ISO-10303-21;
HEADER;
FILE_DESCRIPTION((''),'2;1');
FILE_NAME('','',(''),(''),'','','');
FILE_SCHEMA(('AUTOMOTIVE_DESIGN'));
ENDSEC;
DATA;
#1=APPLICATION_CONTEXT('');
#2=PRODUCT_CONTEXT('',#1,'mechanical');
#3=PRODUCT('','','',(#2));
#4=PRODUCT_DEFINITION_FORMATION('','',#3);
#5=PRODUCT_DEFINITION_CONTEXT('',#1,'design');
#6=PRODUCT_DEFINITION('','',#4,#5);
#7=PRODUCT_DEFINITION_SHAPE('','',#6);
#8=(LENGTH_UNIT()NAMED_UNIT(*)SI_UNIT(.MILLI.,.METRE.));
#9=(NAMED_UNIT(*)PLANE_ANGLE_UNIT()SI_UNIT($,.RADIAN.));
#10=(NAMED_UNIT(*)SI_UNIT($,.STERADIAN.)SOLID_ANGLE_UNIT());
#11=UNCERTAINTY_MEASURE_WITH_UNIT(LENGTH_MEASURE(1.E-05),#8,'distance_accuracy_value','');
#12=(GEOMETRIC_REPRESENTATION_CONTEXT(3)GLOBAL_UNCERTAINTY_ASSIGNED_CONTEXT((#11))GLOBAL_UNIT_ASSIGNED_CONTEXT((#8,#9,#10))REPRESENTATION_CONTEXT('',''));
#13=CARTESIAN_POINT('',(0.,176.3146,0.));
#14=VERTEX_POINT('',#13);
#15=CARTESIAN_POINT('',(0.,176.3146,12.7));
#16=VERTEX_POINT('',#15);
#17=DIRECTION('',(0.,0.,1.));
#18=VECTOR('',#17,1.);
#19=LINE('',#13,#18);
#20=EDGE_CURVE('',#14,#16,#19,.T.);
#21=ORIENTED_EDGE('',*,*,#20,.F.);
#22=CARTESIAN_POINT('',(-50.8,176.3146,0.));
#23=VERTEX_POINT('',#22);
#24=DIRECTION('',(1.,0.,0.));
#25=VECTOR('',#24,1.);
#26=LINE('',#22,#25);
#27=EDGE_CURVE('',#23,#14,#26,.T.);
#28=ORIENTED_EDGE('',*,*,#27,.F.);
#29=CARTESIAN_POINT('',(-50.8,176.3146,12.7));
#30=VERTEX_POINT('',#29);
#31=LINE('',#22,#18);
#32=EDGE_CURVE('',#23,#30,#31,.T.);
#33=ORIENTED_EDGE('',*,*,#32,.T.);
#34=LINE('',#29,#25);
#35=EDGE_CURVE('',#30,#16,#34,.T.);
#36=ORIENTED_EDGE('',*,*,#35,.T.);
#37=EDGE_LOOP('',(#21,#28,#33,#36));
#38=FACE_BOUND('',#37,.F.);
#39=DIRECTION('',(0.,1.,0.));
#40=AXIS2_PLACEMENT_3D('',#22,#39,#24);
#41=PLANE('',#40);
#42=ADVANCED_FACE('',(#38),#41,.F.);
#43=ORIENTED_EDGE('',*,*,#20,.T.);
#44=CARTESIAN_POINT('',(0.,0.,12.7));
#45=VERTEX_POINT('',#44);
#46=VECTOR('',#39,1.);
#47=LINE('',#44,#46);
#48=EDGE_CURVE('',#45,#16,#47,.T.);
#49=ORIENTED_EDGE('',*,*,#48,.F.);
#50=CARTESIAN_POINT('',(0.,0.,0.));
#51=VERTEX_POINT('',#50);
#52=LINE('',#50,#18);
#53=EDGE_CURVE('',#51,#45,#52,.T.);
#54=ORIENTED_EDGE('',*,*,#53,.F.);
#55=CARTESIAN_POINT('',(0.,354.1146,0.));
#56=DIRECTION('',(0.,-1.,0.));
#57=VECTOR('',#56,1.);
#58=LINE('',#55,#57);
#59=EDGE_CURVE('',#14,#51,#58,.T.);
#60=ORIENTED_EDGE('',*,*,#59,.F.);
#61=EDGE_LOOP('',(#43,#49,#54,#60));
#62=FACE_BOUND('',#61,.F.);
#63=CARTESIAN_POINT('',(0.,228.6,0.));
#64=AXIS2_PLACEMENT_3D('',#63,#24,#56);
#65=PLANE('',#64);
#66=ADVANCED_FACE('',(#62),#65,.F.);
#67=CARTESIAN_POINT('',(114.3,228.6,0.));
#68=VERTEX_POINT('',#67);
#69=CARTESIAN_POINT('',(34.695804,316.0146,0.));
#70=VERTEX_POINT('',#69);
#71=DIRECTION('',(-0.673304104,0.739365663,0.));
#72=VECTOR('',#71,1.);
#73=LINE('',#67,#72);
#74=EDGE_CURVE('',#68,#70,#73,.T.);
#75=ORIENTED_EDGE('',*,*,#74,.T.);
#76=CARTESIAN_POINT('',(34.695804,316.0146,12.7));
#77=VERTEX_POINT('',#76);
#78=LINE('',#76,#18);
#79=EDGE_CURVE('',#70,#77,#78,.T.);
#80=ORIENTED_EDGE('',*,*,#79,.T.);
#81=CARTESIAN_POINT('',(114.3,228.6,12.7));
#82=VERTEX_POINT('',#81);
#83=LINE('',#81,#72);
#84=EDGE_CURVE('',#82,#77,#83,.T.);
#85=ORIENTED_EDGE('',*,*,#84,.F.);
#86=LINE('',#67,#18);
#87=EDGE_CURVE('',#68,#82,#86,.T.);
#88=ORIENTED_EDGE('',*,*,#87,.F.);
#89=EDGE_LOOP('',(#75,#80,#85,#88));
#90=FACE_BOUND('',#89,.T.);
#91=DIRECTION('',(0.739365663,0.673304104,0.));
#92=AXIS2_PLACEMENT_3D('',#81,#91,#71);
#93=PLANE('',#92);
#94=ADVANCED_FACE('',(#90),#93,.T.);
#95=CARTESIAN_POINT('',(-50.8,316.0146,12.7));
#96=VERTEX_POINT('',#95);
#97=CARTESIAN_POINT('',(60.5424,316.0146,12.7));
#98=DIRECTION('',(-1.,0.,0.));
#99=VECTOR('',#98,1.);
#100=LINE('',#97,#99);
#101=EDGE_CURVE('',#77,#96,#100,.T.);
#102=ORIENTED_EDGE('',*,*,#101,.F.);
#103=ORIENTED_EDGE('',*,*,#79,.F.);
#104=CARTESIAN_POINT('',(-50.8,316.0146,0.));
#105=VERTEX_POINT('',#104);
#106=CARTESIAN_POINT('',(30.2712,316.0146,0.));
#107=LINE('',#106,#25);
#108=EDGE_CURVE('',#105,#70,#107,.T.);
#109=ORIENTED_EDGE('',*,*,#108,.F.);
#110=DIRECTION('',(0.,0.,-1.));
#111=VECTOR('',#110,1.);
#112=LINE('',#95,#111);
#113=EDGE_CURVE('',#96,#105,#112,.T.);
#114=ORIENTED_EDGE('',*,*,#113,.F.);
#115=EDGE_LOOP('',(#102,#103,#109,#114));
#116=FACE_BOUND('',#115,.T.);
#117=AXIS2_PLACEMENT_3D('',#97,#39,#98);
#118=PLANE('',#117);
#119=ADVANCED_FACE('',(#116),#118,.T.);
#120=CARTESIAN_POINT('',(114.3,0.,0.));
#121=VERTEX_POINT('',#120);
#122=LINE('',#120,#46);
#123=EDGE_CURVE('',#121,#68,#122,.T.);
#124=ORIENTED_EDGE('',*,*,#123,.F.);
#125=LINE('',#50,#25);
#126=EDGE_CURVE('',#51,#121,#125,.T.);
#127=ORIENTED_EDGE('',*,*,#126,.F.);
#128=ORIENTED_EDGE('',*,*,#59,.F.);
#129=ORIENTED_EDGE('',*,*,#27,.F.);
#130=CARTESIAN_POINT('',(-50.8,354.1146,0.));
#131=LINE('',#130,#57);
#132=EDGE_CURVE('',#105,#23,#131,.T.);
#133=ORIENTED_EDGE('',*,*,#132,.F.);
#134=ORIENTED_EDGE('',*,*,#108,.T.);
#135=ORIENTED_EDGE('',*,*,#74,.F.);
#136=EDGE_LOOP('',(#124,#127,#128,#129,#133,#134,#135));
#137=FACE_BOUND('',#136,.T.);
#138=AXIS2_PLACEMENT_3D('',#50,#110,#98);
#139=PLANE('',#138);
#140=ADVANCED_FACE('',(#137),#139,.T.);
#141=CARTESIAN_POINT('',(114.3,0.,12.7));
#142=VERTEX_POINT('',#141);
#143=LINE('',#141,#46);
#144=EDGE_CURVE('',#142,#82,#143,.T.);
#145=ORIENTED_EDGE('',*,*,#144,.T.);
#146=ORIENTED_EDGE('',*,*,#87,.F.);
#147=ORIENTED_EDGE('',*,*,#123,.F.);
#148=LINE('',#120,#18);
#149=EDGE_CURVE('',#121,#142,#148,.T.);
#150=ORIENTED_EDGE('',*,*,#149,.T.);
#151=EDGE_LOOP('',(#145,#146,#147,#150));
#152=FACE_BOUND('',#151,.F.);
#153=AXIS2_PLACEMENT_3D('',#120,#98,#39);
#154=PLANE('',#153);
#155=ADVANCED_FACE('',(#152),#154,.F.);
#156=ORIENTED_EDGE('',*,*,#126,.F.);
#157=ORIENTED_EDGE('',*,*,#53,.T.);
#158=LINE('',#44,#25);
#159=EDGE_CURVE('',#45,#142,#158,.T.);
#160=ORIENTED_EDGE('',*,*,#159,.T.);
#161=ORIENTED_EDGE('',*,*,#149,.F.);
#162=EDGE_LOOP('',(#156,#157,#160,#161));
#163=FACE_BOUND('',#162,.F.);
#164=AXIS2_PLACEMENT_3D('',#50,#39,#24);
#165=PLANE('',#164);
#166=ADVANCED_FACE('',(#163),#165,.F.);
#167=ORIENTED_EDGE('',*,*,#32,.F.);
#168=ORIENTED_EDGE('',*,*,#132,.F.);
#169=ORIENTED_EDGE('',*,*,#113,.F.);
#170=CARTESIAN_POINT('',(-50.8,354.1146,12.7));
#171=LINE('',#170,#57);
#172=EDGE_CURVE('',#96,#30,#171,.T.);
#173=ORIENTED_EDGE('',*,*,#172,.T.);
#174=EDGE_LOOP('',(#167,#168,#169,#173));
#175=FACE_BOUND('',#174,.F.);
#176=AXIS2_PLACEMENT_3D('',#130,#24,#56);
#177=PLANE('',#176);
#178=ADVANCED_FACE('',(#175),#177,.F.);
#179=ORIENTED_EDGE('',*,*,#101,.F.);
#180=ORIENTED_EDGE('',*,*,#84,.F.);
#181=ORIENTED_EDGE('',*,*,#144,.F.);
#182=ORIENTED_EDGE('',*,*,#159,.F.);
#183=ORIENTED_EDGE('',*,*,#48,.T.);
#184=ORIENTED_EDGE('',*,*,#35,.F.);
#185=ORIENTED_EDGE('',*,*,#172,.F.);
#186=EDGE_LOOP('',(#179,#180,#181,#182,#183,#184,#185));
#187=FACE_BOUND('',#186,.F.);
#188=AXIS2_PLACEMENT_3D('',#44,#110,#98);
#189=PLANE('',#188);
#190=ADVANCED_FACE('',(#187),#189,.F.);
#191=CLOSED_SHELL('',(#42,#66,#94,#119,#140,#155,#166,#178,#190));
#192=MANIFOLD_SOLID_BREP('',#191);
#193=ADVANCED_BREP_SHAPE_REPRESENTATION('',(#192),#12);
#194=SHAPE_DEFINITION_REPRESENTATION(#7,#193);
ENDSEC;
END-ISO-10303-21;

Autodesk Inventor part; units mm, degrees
ref_plane "YZ Plane" through (0, 0, 0) normal (1, 0, 0) x (0, 1, 0)
ref_plane "XZ Plane" through (0, 0, 0) normal (0, 1, 0) x (-1, 0, 0)
ref_plane "XY Plane" through (0, 0, 0) normal (0, 0, 1) x (1, 0, 0)
sketch "Sketch1" plane through (0, 0, 0) normal (0, 0, 1) x (1, 0, 0)
  line L0 (0, 0) -> (114.3, 0)
  line L1 (114.3, 0) -> (114.3, 228.6)
  line L2 (114.3, 228.6) -> (0, 228.6)
  line L3 (0, 228.6) -> (0, 0)
  dimension "d0" = 114.3
  dimension "d1" = 228.6
extrude "Extrusion1" add sketch "Sketch1" along normal blind 12.7
sketch "Sketch2" plane through (0, 0, 12.7) normal (0, 0, 1) x (1, 0, 0)
  point P0 (0, 0)
sketch "Sketch3" plane through (0, 0, 12.7) normal (0, 0, 1) x (1, 0, 0)
  line L0 (114.3, 0) -> (114.3, 228.6) projected
  line L1 (114.3, 228.6) -> (0, 354.1146)
  line L2 (0, 354.1146) -> (0, 228.6)
  line L3 (0, 228.6) -> (114.3, 228.6)
  point P0 (0, 0)
extrude "Extrusion2" add sketch "Sketch3" against normal blind 12.7
sketch "Sketch4" plane through (0, 0, 0) normal (0, 0, -1) x (-1, 0, 0)
  line L0 (0, 354.1146) -> (50.8, 354.1146)
  line L1 (50.8, 354.1146) -> (50.8, 176.3146)
  line L2 (50.8, 176.3146) -> (0, 176.3146)
  line L3 (0, 176.3146) -> (0, 354.1146)
  point P0 (0, 0)
  point P1 (0, 354.1146)
  dimension "d6" = 50.8
  dimension "d7" = 177.8
extrude "Extrusion3" add sketch "Sketch4" against normal blind 12.7
sketch "Sketch5" plane through (0, 0, 12.7) normal (0, 0, 1) x (1, 0, 0)
  line L0 (-50.8, 354.1146) -> (-50.8, 176.3146) projected
  line L1 (-50.8, 354.1146) -> (60.5424, 354.1146)
  line L2 (60.5424, 354.1146) -> (60.5424, 316.0146)
  line L3 (60.5424, 316.0146) -> (-50.8, 316.0146)
  line L4 (-50.8, 316.0146) -> (-50.8, 354.1146)
  point P0 (0, 0)
  dimension "d10" = 38.1
extrude "Extrusion4" cut sketch "Sketch5" against normal blind 25.4
properties part number "motor mount platform right side"
